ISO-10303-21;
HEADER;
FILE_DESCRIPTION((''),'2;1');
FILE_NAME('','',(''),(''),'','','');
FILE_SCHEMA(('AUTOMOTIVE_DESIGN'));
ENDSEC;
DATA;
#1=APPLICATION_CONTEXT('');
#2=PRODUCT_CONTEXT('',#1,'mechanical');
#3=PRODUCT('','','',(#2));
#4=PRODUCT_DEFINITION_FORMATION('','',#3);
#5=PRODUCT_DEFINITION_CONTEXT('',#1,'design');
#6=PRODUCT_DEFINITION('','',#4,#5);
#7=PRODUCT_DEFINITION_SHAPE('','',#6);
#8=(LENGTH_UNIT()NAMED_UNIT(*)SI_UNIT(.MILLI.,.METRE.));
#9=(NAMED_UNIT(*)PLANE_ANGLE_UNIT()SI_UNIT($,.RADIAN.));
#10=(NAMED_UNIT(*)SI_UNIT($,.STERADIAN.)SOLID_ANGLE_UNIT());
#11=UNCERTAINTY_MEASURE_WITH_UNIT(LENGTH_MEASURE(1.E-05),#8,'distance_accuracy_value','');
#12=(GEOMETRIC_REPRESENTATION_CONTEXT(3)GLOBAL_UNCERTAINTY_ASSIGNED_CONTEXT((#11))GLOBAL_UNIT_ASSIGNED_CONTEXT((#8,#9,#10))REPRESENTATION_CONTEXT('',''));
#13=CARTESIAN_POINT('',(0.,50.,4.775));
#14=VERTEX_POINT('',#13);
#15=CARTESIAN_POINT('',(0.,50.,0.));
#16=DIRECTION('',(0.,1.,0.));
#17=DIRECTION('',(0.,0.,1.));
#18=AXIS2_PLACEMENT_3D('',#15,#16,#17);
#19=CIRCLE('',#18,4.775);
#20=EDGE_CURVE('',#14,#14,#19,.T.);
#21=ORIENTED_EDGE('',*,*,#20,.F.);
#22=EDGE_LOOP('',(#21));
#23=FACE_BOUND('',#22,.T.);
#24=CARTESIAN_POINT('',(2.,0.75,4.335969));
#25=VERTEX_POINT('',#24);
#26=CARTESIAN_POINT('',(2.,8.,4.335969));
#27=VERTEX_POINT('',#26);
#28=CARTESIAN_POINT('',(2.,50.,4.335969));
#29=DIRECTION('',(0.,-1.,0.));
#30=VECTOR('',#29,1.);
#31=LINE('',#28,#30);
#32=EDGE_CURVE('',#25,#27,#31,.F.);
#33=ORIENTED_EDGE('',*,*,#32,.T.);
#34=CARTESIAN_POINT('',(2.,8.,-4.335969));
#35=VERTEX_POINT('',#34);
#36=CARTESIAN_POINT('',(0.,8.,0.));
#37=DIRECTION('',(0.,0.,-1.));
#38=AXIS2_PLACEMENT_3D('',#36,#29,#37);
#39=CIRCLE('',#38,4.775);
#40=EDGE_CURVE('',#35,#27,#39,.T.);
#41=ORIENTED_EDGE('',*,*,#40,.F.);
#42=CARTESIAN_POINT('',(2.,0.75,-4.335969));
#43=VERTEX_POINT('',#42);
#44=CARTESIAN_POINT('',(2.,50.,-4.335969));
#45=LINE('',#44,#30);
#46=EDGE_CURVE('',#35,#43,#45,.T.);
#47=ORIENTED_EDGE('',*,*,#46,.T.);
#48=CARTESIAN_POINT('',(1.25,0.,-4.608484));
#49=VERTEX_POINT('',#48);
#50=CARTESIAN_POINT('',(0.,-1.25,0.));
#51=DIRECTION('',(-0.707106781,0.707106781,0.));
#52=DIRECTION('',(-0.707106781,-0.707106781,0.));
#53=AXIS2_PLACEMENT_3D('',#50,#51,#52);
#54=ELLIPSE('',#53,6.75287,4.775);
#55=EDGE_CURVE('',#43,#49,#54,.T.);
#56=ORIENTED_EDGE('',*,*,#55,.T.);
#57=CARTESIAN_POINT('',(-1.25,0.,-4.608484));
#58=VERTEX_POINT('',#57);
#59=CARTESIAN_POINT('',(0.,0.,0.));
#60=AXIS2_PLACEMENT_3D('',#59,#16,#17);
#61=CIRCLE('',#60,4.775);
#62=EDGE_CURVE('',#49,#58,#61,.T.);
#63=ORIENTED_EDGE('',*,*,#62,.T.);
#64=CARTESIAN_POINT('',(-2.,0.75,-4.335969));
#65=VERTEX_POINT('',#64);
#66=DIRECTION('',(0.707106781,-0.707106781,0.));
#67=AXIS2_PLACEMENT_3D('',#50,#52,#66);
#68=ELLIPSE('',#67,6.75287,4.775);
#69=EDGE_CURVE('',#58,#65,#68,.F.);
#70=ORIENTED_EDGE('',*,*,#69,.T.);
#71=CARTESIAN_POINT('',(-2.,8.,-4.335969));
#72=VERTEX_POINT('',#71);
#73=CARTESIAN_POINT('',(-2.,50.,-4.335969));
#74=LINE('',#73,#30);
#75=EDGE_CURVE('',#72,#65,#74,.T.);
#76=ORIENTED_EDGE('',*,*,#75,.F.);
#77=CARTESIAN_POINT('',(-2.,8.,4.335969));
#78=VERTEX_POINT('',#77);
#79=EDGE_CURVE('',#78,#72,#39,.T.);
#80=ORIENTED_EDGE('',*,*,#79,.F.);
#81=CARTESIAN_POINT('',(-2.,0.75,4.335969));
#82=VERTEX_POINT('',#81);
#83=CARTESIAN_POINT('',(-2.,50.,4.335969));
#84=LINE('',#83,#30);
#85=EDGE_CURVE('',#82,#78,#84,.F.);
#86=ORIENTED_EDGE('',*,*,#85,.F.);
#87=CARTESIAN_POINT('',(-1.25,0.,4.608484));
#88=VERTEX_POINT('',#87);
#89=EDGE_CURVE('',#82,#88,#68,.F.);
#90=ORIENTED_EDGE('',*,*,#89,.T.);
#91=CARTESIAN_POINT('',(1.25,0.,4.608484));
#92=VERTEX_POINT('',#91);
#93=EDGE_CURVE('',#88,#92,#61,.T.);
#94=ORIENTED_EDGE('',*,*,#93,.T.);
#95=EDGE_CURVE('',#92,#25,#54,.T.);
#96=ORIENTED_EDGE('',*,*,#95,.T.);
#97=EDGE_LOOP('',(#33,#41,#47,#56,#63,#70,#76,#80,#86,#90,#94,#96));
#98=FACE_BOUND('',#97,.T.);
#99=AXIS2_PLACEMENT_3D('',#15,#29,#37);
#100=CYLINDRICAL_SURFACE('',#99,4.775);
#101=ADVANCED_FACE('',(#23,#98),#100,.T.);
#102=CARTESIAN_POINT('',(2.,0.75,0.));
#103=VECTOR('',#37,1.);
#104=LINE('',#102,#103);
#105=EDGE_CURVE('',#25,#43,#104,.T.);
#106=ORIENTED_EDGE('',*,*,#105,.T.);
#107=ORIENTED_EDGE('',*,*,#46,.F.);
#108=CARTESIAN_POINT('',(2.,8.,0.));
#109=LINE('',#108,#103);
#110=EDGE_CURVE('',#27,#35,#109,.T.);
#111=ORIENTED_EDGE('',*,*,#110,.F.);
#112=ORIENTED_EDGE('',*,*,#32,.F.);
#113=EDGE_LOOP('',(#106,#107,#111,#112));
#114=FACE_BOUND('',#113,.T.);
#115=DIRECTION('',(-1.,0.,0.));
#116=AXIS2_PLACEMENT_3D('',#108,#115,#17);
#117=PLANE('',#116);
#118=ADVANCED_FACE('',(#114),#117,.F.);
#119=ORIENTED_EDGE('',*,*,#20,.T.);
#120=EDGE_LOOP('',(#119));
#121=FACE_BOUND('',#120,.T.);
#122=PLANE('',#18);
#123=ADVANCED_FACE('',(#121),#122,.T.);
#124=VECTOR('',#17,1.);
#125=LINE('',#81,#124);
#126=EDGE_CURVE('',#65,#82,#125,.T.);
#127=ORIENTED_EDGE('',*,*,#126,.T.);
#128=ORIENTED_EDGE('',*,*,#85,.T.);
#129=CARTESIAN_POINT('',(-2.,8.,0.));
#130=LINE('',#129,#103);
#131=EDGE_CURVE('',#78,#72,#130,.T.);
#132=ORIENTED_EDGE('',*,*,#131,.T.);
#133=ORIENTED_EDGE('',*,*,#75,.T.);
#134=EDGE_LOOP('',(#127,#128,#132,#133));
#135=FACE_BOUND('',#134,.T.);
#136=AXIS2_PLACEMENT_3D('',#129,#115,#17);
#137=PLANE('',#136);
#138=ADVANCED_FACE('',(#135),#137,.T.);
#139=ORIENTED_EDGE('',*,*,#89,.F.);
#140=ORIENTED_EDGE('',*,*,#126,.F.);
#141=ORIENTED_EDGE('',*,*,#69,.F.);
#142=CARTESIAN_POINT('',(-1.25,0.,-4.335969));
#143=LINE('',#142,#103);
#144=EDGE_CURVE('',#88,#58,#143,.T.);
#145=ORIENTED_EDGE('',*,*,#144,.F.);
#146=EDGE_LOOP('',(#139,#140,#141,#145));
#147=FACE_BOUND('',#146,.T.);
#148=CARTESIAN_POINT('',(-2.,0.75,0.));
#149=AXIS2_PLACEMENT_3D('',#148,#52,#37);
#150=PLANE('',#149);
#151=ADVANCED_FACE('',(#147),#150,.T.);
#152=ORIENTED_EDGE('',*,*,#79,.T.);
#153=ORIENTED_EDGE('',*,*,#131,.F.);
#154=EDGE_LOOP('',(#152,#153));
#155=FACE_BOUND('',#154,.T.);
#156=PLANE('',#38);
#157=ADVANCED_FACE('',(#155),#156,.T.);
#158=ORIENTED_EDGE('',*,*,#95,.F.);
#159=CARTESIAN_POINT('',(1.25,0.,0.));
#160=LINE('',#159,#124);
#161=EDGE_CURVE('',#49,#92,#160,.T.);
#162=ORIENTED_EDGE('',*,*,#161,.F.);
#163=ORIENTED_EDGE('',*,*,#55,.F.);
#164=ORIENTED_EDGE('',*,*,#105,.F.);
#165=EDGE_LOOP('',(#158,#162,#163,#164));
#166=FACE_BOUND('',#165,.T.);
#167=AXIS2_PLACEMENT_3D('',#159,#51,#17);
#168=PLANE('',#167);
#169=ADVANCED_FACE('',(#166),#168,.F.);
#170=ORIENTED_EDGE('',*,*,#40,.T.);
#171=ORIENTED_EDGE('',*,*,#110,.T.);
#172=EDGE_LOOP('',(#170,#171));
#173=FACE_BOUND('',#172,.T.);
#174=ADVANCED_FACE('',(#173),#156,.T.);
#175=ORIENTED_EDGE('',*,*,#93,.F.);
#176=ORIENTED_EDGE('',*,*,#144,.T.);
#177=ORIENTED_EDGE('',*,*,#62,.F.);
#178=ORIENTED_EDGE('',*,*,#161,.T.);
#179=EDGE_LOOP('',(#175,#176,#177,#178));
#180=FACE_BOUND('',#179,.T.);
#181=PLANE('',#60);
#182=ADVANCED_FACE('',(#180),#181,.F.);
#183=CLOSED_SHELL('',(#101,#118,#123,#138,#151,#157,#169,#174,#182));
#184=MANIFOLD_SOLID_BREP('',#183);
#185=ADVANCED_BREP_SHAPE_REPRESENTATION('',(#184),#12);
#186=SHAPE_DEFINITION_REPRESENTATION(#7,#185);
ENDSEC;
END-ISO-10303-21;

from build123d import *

# Parameters (mm, degrees)
SKETCH1_R           = 4.775
BOSS_EXTRUDE1_DEPTH = 50
CUT_EXTRUDE2_DEPTH  = 8
CHAMFER2_SIZE       = 0.75


with BuildPart() as part:
    # Sketch1 → Boss-Extrude1 (new body)
    with BuildSketch(Plane(origin=(0, 0, 0), x_dir=(1, 0, 0), z_dir=(0, 1, 0))):
        with Locations(Location((0, 0, 0), (0, 0, 270))):
            Circle(SKETCH1_R)
    extrude(amount=BOSS_EXTRUDE1_DEPTH)

    # Sketch3 → Cut-Extrude2 (cut)
    with BuildSketch(Plane.XZ):
        with BuildLine():
            ThreePointArc((5.7947785, 0), (4.752316007, 3.315863452), (2, 5.438700016))
            Line((2, 5.438700016), (2, 4.33596875))
            ThreePointArc((2, 4.33596875), (4.021854361, 2.57396824), (4.775, 0))
            ThreePointArc((4.775, 0), (4.021854361, -2.57396824), (2, -4.33596875))
            Line((2, -4.33596875), (2, -5.438700016))
            ThreePointArc((2, -5.438700016), (4.752316007, -3.315863452), (5.7947785, 0))
        make_face()
        with BuildLine():
            ThreePointArc((4.775, 0), (4.021854361, 2.57396824), (2, 4.33596875))
            Line((2, 4.33596875), (2, -4.33596875))
            ThreePointArc((2, -4.33596875), (4.021854361, -2.57396824), (4.775, 0))
        make_face()
        with BuildLine():
            Line((-2, -4.33596875), (-2, 4.33596875))
            ThreePointArc((-2, 4.33596875), (-4.775, 0), (-2, -4.33596875))
        make_face()
        with BuildLine():
            Line((-2, 4.33596875), (-2, 5.438700016))
            ThreePointArc((-2, 5.438700016), (-5.7947785, 0), (-2, -5.438700016))
            Line((-2, -5.438700016), (-2, -4.33596875))
            ThreePointArc((-2, -4.33596875), (-4.775, 0), (-2, 4.33596875))
        make_face()
    extrude(amount=-CUT_EXTRUDE2_DEPTH, mode=Mode.SUBTRACT)

    # Chamfer2
    chamfer2_edges = [part.edges().sort_by_distance(p)[0] for p in [
        (-2, 0, 0),
        (2, 0, 0),
    ]]
    chamfer(chamfer2_edges, length=CHAMFER2_SIZE)


solid = part.part
